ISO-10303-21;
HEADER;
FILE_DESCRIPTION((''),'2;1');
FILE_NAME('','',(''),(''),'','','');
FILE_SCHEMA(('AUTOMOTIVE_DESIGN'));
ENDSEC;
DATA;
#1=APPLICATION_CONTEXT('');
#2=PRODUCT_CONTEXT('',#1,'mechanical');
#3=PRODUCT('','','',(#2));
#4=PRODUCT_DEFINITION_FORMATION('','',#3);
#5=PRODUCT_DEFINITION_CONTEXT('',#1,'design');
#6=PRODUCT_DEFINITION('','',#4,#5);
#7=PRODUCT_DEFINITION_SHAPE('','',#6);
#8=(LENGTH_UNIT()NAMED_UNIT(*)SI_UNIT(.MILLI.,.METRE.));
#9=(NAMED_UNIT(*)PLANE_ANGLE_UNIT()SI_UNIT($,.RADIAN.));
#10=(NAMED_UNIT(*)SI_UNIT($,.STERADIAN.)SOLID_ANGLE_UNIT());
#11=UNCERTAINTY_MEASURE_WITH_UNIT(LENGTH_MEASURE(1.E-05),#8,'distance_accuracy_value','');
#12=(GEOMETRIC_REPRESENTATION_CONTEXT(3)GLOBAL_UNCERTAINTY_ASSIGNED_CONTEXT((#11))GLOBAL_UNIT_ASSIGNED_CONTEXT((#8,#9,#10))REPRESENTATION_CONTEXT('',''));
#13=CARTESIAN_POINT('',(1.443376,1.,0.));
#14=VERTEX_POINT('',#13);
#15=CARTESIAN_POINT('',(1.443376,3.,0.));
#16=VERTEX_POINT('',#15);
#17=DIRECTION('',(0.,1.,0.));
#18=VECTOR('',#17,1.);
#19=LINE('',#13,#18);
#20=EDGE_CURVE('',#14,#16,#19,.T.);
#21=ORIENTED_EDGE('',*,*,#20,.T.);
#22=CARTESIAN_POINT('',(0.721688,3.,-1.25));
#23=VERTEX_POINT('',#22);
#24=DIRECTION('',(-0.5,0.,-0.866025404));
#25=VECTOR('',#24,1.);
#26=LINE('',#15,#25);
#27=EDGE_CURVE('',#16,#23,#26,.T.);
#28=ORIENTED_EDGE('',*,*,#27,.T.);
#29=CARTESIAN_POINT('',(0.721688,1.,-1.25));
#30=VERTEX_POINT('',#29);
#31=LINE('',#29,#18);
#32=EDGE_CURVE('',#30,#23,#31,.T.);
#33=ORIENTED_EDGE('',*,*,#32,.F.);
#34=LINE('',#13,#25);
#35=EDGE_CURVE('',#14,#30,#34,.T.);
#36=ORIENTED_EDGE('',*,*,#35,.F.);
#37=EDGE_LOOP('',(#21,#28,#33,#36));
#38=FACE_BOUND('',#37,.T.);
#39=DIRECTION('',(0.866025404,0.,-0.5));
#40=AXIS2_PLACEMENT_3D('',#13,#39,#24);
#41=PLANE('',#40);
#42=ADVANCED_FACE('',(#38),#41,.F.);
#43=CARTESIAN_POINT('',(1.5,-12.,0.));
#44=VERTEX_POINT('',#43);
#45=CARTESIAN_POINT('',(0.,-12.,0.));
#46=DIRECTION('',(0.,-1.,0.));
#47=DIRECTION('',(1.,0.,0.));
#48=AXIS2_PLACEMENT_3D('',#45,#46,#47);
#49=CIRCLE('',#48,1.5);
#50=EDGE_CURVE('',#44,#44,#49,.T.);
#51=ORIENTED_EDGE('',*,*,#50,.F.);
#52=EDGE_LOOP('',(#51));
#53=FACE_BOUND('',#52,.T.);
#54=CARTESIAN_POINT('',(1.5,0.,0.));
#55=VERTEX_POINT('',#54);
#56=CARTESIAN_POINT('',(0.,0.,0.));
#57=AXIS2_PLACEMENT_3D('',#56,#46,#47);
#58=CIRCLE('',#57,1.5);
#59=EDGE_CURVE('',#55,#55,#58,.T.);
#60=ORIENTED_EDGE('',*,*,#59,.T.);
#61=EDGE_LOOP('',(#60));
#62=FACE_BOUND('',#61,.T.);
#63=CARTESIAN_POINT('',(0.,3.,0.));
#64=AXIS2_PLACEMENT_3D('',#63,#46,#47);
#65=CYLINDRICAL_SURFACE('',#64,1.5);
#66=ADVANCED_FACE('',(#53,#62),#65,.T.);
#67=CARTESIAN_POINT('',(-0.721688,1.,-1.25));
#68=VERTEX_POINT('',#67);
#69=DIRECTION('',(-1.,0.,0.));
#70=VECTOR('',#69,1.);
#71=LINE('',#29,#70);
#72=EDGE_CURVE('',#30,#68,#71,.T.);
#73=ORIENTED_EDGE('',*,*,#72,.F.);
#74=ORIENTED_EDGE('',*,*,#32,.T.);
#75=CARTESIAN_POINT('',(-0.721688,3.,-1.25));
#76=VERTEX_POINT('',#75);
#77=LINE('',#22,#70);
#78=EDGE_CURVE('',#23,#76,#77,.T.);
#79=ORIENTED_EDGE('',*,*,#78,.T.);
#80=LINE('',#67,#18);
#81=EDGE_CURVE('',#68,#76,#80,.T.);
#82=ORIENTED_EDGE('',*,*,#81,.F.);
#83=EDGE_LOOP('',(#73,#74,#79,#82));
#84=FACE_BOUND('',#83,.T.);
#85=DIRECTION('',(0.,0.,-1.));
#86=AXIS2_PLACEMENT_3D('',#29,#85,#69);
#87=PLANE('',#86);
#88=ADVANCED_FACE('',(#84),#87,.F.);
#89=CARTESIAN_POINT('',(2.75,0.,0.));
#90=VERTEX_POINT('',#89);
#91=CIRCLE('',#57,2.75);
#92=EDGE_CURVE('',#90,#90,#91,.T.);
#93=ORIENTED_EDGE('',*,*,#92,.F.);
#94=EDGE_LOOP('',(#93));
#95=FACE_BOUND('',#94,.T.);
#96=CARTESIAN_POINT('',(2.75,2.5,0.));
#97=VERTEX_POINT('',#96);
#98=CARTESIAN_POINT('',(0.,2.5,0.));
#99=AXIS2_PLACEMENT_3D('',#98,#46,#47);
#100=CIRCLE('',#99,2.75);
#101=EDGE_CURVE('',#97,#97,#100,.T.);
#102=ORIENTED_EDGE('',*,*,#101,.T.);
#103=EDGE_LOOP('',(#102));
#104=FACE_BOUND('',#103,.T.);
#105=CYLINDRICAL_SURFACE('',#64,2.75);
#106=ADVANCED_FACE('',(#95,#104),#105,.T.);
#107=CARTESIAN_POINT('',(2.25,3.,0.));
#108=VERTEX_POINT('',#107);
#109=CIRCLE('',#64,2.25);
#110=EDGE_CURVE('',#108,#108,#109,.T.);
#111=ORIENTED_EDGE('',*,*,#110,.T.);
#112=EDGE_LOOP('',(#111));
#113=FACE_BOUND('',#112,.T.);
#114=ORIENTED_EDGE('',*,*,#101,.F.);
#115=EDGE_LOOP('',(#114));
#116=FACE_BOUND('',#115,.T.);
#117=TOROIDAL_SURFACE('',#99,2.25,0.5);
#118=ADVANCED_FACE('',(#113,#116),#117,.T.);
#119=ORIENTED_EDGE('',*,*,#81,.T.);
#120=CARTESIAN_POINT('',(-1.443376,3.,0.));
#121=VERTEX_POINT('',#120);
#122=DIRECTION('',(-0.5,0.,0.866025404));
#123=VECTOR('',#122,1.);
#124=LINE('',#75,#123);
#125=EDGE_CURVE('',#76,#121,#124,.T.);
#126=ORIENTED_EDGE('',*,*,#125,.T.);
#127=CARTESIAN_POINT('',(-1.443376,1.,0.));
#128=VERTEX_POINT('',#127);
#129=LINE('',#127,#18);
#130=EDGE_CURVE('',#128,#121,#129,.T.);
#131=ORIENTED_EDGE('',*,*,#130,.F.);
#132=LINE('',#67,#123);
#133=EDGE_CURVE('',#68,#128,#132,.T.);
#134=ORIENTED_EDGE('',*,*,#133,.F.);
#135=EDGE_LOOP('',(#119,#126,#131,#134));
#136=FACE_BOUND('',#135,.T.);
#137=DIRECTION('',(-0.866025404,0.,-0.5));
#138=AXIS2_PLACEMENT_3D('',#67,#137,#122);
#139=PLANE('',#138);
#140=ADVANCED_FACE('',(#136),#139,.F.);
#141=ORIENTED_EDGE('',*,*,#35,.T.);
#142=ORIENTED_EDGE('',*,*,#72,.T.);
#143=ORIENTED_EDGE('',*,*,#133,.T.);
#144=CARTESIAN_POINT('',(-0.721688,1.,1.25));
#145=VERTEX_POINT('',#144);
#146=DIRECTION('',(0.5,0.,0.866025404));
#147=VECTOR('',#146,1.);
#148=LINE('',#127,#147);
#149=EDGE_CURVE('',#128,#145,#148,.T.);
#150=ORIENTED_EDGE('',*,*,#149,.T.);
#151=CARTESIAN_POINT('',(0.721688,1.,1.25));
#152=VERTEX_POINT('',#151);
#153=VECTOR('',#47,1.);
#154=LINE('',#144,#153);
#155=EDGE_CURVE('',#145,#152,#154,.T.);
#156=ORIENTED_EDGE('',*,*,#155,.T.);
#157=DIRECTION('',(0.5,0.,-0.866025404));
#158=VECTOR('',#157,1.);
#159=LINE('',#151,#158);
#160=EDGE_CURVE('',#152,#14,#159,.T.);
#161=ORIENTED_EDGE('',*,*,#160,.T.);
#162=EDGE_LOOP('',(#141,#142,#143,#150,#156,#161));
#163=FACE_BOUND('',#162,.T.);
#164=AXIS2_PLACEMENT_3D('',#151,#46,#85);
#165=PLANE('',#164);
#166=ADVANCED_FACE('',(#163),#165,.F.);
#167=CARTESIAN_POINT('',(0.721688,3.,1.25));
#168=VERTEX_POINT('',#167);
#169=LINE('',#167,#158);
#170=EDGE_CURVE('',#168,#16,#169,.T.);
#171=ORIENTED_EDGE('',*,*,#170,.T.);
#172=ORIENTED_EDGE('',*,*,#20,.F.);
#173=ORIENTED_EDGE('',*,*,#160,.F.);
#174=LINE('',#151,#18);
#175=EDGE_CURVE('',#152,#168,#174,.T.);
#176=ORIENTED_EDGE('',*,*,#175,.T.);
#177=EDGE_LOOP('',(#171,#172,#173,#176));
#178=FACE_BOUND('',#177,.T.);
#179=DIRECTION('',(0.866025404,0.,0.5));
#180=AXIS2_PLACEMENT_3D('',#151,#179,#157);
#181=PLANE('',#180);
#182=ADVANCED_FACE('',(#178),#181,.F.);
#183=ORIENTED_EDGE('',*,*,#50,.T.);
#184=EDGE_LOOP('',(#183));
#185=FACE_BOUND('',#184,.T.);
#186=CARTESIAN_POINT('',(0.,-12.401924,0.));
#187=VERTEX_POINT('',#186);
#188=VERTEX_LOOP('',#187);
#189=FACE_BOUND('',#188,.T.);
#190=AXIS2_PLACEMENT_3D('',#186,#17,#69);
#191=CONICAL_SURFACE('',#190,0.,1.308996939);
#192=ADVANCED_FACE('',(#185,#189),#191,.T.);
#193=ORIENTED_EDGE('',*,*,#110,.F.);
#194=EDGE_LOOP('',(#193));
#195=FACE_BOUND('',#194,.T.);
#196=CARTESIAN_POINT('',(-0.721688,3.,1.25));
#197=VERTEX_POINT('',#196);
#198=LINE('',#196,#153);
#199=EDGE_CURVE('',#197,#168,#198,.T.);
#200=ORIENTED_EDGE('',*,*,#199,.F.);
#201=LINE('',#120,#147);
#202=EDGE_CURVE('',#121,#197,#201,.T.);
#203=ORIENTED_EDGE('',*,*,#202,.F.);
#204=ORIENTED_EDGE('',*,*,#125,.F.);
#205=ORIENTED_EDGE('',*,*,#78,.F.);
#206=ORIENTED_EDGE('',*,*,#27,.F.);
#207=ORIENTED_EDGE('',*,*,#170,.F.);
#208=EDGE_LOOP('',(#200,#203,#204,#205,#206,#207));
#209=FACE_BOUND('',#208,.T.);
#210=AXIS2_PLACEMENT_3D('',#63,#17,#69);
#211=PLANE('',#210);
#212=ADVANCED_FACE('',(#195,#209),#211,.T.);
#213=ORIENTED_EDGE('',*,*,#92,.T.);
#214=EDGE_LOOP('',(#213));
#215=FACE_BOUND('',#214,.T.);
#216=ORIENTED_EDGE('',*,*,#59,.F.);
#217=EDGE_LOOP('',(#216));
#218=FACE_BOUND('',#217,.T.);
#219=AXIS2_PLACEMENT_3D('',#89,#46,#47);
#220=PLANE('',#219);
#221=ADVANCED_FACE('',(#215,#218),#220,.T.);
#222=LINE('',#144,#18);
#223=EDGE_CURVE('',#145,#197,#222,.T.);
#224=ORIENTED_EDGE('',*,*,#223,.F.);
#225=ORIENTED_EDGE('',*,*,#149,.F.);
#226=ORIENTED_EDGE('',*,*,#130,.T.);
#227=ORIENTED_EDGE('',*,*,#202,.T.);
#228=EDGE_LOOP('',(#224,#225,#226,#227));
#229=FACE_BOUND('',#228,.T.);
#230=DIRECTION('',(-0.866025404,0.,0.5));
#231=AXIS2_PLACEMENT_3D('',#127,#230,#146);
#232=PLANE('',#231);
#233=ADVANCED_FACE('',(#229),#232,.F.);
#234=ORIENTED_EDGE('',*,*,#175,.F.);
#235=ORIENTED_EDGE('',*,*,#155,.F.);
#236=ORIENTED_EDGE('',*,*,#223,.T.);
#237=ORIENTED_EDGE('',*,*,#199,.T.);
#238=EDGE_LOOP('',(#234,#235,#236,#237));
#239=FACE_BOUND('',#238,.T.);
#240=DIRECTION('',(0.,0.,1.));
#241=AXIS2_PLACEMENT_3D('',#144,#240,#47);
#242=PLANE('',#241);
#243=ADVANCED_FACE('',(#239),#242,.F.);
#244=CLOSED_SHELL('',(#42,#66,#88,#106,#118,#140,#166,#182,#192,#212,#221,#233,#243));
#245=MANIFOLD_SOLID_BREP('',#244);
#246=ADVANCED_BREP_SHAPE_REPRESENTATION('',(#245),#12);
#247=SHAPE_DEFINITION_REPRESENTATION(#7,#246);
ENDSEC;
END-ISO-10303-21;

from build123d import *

# Parameters (mm, degrees)
CUT_EXTRUDE1_DEPTH = 2


with BuildPart() as part:
    # Sketch1 → Base-Revolve (revolve)
    with BuildSketch(Plane.XY):
        with BuildLine():
            Line((0, -12.401923789), (0, 3))
            Line((0, 3), (2.25, 3))
            ThreePointArc((2.25, 3), (2.603553391, 2.853553391), (2.75, 2.5))
            Line((2.75, 2.5), (2.75, 0))
            Line((2.75, 0), (1.5, 0))
            Line((1.5, 0), (1.5, -12))
            Line((1.5, -12), (0, -12.401923789))
        make_face()
    revolve(axis=Axis((0, 3, 0), (0, 1, 0)))

    # Sketch2 → Cut-Extrude1 (cut)
    with BuildSketch(Plane(origin=(0, 3, 0), x_dir=(-1, 0, 0), z_dir=(0, 1, 0))):
        Polygon((-1.443375673, 0), (-0.721687836, -1.25), (0.721687836, -1.25), (1.443375673, 0), (0.721687836, 1.25), (-0.721687836, 1.25), align=None)
    extrude(amount=-CUT_EXTRUDE1_DEPTH, mode=Mode.SUBTRACT)


solid = part.part
